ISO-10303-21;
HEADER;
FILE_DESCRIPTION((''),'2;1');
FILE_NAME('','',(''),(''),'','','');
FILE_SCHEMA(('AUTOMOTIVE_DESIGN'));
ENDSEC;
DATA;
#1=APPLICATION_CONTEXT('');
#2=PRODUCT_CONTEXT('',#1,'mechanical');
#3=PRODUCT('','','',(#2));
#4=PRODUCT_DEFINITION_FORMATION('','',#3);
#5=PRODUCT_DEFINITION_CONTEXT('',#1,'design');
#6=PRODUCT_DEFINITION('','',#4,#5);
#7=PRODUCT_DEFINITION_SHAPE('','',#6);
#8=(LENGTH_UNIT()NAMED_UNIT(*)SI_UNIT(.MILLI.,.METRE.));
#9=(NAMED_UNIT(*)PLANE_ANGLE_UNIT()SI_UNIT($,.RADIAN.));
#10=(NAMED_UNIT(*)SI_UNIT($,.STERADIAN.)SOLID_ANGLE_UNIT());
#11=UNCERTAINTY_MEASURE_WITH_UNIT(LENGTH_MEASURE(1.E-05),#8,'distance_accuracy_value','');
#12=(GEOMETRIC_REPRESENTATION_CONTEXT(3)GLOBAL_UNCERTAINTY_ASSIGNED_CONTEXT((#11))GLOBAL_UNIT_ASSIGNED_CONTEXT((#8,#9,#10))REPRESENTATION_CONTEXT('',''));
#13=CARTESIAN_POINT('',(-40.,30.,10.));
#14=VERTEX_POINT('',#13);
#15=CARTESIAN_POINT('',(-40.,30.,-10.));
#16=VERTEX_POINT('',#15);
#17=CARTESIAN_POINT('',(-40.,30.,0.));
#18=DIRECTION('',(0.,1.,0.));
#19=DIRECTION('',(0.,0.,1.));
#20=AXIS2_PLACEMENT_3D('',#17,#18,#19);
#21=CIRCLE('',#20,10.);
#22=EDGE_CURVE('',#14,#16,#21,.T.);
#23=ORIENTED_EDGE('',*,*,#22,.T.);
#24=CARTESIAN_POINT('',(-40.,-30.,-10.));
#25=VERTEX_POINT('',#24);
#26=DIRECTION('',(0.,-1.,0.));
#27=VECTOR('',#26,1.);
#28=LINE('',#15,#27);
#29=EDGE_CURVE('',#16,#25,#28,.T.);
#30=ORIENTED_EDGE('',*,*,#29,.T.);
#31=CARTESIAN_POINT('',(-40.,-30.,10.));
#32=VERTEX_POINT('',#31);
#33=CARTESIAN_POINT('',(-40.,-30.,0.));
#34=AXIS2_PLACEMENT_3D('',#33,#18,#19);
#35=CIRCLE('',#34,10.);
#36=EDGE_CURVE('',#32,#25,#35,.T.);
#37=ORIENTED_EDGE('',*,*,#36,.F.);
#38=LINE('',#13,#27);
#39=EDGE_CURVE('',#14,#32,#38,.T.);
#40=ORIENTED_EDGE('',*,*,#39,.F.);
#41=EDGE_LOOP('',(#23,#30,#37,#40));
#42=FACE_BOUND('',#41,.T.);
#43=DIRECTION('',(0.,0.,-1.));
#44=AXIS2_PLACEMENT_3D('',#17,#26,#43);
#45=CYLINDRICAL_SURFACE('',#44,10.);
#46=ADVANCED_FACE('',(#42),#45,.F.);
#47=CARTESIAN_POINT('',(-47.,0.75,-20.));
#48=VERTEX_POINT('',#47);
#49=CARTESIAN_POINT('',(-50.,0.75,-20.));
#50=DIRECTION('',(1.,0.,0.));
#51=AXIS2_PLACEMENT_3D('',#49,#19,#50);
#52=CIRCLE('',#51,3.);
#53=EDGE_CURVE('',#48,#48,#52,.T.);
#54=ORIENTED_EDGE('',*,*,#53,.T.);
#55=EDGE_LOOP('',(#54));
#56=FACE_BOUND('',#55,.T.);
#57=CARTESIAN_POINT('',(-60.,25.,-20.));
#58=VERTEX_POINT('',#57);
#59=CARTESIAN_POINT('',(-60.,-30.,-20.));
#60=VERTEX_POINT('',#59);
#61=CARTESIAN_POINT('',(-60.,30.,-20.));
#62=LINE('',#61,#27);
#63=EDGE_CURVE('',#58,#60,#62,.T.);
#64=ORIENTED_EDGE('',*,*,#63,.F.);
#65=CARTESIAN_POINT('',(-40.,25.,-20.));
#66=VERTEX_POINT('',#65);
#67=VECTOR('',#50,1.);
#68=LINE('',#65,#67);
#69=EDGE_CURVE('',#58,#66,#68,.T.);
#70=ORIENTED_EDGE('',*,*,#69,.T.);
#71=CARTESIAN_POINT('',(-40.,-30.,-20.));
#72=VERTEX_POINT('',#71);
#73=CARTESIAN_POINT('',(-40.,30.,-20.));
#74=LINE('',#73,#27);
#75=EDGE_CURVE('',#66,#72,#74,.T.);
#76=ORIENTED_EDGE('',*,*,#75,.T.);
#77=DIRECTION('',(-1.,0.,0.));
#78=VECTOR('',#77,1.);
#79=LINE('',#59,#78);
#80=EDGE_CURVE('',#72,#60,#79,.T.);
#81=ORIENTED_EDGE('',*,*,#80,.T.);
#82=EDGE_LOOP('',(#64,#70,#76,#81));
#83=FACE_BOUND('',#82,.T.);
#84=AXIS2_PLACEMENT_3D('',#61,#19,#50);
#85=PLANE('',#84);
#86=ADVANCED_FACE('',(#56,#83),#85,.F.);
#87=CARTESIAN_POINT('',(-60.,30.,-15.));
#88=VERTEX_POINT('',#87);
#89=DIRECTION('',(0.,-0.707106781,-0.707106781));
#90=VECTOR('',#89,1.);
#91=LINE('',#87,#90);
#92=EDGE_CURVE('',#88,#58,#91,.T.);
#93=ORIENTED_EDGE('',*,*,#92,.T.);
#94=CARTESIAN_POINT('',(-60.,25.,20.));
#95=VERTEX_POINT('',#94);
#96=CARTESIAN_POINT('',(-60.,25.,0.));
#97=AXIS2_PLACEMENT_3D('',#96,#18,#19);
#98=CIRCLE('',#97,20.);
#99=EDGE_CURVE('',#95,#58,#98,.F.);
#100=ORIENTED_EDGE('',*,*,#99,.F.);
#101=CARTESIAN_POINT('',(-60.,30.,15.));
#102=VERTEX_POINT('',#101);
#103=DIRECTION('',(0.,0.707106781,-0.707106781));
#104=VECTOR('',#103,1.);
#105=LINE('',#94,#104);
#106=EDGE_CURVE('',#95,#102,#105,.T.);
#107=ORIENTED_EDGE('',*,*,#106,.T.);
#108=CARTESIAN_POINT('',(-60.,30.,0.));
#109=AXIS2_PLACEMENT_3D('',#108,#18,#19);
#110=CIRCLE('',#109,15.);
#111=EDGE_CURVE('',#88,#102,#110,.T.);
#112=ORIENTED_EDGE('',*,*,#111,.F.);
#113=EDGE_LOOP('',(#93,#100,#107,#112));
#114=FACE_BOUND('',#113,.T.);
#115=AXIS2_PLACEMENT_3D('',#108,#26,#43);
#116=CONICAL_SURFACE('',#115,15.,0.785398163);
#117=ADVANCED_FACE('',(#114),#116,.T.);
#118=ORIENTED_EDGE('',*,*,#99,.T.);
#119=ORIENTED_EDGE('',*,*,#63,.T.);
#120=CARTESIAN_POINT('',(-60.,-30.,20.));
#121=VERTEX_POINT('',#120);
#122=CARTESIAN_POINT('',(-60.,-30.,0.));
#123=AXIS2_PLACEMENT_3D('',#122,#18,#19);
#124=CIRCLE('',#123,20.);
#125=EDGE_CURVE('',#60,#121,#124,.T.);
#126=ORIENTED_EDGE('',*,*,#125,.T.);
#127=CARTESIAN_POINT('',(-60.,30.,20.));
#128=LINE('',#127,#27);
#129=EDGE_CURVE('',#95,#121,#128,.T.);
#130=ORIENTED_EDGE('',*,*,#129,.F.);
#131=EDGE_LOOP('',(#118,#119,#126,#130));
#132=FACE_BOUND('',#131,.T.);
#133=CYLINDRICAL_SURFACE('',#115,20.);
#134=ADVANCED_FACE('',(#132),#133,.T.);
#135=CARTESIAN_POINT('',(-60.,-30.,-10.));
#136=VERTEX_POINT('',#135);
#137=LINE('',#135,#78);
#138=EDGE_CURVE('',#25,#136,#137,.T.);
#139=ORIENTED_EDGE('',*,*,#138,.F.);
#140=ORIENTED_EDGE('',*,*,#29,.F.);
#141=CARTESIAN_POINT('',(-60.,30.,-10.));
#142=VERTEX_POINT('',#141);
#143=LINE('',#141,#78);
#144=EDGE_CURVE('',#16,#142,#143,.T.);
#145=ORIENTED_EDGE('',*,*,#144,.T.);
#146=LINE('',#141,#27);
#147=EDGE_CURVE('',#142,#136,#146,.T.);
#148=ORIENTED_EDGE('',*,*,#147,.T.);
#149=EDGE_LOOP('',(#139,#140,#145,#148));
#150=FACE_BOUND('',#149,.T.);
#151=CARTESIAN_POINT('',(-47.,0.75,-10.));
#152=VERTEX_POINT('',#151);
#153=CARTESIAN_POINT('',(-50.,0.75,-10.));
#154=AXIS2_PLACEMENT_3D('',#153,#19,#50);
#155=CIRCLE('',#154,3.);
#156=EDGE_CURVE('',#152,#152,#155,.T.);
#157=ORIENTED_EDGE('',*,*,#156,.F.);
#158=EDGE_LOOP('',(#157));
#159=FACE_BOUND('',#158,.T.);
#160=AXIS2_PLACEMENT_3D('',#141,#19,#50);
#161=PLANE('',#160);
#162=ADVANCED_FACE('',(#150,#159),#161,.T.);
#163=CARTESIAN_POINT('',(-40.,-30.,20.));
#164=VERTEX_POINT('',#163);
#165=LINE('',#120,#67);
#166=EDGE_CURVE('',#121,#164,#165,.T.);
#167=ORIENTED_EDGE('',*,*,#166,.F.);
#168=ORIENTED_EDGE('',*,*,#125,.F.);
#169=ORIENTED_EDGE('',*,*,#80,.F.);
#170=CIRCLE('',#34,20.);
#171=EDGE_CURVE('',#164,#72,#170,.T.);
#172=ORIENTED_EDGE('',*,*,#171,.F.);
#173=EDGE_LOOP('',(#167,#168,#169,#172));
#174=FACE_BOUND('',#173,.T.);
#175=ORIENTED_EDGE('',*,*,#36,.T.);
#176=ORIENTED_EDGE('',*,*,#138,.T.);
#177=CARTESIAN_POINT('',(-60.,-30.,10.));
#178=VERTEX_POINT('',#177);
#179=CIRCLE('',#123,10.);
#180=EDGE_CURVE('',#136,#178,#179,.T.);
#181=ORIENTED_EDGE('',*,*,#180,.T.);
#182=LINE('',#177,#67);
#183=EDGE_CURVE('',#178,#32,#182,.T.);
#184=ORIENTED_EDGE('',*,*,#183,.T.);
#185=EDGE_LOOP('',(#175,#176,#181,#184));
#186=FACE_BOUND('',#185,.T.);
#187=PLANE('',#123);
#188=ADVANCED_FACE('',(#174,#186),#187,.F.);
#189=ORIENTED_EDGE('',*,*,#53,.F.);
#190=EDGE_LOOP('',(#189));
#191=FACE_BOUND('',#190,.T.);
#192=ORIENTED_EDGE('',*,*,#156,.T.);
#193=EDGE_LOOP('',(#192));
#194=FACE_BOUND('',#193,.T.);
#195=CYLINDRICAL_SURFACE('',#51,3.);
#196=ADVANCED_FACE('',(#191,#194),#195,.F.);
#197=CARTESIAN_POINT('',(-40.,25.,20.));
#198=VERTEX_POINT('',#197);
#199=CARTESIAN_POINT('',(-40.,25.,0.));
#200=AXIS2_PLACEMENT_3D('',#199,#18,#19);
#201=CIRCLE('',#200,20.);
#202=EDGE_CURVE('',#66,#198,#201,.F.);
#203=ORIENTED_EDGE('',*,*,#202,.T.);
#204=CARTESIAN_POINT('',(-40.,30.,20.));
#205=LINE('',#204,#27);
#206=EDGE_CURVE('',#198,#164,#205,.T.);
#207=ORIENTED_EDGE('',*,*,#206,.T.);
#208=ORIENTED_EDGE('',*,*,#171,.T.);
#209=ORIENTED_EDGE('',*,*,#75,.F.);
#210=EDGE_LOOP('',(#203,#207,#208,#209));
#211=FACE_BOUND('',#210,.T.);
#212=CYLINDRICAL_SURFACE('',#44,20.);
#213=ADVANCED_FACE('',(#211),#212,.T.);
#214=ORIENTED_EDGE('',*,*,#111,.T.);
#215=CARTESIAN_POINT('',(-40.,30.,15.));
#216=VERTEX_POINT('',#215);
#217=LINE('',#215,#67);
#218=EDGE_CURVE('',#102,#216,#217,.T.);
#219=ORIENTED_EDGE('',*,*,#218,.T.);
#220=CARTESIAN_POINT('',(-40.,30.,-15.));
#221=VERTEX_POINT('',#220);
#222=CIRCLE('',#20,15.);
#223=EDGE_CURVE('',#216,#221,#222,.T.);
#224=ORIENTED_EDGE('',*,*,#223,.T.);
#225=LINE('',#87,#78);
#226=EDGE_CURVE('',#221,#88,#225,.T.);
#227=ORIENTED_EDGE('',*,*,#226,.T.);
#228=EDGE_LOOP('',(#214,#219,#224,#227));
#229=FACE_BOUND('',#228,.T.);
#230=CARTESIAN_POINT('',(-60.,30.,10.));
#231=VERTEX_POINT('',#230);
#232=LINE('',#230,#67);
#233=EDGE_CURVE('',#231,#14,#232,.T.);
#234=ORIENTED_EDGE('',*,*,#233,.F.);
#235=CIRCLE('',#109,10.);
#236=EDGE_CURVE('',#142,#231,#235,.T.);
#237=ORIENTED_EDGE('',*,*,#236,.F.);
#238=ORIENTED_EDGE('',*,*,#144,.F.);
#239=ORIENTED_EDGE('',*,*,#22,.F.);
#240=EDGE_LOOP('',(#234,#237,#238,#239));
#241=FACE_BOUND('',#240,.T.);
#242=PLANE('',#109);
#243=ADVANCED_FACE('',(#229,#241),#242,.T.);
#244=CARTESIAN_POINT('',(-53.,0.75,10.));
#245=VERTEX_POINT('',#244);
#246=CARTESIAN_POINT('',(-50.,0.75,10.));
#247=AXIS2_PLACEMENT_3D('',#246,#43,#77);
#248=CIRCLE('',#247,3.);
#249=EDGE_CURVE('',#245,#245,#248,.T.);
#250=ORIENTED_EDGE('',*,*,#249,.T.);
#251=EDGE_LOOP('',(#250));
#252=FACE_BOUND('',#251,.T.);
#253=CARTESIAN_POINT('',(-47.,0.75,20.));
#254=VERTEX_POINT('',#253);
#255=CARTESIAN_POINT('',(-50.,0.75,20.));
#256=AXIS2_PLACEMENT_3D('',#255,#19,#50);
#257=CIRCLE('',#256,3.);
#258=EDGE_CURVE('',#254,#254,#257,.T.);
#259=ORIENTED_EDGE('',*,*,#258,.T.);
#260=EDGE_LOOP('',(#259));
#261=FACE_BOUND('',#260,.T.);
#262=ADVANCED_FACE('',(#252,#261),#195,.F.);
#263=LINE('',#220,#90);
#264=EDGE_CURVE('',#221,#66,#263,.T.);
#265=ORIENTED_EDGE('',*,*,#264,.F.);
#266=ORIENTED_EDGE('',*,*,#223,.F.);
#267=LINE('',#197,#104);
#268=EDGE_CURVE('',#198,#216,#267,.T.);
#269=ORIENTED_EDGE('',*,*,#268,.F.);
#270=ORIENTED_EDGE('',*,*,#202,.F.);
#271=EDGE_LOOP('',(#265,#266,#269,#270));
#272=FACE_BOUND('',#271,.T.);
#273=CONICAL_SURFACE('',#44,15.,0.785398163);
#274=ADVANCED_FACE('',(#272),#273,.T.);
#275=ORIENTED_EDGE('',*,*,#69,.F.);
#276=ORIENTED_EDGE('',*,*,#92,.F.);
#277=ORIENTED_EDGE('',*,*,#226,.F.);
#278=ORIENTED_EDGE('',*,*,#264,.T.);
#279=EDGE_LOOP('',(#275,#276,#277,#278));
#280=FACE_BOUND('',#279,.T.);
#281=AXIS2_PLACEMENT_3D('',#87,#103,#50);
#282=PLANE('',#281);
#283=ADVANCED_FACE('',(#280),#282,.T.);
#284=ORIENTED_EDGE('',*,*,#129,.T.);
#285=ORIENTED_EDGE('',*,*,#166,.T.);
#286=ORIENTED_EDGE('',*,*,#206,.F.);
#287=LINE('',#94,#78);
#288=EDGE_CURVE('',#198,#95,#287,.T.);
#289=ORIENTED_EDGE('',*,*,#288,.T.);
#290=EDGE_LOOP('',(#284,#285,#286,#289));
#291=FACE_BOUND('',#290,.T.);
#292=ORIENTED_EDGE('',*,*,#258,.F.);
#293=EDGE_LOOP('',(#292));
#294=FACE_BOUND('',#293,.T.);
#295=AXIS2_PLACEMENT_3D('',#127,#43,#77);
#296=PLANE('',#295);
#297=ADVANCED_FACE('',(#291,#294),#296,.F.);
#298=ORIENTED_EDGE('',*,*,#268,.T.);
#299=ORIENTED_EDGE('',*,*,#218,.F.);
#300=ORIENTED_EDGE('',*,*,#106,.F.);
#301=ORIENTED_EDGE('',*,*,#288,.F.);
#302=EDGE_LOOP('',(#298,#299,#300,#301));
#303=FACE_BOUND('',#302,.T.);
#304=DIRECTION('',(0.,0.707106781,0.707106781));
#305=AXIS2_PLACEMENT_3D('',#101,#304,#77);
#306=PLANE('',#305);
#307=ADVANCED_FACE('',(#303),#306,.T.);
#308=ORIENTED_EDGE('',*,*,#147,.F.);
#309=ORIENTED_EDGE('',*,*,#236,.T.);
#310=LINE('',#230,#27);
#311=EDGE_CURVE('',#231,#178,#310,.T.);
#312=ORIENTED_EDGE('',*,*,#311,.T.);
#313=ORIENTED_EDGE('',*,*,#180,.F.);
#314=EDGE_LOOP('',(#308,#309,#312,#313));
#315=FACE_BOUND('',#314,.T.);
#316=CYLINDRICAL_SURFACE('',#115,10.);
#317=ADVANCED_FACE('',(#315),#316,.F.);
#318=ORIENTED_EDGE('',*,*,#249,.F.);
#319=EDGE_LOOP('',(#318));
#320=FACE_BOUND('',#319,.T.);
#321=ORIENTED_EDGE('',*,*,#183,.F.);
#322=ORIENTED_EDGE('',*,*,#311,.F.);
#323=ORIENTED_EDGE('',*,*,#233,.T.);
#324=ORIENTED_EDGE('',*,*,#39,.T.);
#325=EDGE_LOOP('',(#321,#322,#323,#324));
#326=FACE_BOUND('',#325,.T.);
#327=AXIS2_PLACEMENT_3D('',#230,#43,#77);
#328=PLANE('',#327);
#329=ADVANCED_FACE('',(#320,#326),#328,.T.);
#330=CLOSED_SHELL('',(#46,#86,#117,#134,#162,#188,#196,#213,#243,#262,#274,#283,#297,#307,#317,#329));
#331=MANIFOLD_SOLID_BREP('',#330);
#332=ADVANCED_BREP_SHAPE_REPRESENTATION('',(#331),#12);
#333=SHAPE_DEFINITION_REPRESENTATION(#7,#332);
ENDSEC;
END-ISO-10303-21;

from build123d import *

# Parameters (mm, degrees)
BOSS_EXTRUDE1_DEPTH = 30
CHAMFER1_SIZE       = 5
SKETCH2_R           = 3
CUT_EXTRUDE1_DEPTH  = 41


with BuildPart() as part:
    # Sketch1 → Boss-Extrude1 (new body, symmetric)
    with BuildSketch(Plane(origin=(0, 0, 0), x_dir=(1, 0, 0), z_dir=(0, 1, 0))):
        with BuildLine():
            Line((-60, 20), (-40, 20))
            ThreePointArc((-40, 20), (-20, 0), (-40, -20))
            Line((-40, -20), (-60, -20))
            ThreePointArc((-60, -20), (-80, 0), (-60, 20))
        make_face()
        with BuildLine():
            Line((-60, 10), (-40, 10))
            ThreePointArc((-40, 10), (-30, 0), (-40, -10))
            Line((-40, -10), (-60, -10))
            ThreePointArc((-60, -10), (-70, 0), (-60, 10))
        make_face(mode=Mode.SUBTRACT)
    extrude(amount=BOSS_EXTRUDE1_DEPTH, both=True)

    # Chamfer1
    chamfer1_edges = [part.edges().sort_by_distance(p)[0] for p in [
        (-20, 30, 0),
        (-50, 30, -20),
        (-80, 30, 0),
        (-50, 30, 20),
    ]]
    chamfer(chamfer1_edges, length=CHAMFER1_SIZE)

    # Sketch2 → Cut-Extrude1 (cut, through all)
    with BuildSketch(Plane.XY.offset(20)):
        with Locations((-50, 0.75)):
            Circle(SKETCH2_R)
    extrude(amount=-CUT_EXTRUDE1_DEPTH, mode=Mode.SUBTRACT)


solid = part.part
